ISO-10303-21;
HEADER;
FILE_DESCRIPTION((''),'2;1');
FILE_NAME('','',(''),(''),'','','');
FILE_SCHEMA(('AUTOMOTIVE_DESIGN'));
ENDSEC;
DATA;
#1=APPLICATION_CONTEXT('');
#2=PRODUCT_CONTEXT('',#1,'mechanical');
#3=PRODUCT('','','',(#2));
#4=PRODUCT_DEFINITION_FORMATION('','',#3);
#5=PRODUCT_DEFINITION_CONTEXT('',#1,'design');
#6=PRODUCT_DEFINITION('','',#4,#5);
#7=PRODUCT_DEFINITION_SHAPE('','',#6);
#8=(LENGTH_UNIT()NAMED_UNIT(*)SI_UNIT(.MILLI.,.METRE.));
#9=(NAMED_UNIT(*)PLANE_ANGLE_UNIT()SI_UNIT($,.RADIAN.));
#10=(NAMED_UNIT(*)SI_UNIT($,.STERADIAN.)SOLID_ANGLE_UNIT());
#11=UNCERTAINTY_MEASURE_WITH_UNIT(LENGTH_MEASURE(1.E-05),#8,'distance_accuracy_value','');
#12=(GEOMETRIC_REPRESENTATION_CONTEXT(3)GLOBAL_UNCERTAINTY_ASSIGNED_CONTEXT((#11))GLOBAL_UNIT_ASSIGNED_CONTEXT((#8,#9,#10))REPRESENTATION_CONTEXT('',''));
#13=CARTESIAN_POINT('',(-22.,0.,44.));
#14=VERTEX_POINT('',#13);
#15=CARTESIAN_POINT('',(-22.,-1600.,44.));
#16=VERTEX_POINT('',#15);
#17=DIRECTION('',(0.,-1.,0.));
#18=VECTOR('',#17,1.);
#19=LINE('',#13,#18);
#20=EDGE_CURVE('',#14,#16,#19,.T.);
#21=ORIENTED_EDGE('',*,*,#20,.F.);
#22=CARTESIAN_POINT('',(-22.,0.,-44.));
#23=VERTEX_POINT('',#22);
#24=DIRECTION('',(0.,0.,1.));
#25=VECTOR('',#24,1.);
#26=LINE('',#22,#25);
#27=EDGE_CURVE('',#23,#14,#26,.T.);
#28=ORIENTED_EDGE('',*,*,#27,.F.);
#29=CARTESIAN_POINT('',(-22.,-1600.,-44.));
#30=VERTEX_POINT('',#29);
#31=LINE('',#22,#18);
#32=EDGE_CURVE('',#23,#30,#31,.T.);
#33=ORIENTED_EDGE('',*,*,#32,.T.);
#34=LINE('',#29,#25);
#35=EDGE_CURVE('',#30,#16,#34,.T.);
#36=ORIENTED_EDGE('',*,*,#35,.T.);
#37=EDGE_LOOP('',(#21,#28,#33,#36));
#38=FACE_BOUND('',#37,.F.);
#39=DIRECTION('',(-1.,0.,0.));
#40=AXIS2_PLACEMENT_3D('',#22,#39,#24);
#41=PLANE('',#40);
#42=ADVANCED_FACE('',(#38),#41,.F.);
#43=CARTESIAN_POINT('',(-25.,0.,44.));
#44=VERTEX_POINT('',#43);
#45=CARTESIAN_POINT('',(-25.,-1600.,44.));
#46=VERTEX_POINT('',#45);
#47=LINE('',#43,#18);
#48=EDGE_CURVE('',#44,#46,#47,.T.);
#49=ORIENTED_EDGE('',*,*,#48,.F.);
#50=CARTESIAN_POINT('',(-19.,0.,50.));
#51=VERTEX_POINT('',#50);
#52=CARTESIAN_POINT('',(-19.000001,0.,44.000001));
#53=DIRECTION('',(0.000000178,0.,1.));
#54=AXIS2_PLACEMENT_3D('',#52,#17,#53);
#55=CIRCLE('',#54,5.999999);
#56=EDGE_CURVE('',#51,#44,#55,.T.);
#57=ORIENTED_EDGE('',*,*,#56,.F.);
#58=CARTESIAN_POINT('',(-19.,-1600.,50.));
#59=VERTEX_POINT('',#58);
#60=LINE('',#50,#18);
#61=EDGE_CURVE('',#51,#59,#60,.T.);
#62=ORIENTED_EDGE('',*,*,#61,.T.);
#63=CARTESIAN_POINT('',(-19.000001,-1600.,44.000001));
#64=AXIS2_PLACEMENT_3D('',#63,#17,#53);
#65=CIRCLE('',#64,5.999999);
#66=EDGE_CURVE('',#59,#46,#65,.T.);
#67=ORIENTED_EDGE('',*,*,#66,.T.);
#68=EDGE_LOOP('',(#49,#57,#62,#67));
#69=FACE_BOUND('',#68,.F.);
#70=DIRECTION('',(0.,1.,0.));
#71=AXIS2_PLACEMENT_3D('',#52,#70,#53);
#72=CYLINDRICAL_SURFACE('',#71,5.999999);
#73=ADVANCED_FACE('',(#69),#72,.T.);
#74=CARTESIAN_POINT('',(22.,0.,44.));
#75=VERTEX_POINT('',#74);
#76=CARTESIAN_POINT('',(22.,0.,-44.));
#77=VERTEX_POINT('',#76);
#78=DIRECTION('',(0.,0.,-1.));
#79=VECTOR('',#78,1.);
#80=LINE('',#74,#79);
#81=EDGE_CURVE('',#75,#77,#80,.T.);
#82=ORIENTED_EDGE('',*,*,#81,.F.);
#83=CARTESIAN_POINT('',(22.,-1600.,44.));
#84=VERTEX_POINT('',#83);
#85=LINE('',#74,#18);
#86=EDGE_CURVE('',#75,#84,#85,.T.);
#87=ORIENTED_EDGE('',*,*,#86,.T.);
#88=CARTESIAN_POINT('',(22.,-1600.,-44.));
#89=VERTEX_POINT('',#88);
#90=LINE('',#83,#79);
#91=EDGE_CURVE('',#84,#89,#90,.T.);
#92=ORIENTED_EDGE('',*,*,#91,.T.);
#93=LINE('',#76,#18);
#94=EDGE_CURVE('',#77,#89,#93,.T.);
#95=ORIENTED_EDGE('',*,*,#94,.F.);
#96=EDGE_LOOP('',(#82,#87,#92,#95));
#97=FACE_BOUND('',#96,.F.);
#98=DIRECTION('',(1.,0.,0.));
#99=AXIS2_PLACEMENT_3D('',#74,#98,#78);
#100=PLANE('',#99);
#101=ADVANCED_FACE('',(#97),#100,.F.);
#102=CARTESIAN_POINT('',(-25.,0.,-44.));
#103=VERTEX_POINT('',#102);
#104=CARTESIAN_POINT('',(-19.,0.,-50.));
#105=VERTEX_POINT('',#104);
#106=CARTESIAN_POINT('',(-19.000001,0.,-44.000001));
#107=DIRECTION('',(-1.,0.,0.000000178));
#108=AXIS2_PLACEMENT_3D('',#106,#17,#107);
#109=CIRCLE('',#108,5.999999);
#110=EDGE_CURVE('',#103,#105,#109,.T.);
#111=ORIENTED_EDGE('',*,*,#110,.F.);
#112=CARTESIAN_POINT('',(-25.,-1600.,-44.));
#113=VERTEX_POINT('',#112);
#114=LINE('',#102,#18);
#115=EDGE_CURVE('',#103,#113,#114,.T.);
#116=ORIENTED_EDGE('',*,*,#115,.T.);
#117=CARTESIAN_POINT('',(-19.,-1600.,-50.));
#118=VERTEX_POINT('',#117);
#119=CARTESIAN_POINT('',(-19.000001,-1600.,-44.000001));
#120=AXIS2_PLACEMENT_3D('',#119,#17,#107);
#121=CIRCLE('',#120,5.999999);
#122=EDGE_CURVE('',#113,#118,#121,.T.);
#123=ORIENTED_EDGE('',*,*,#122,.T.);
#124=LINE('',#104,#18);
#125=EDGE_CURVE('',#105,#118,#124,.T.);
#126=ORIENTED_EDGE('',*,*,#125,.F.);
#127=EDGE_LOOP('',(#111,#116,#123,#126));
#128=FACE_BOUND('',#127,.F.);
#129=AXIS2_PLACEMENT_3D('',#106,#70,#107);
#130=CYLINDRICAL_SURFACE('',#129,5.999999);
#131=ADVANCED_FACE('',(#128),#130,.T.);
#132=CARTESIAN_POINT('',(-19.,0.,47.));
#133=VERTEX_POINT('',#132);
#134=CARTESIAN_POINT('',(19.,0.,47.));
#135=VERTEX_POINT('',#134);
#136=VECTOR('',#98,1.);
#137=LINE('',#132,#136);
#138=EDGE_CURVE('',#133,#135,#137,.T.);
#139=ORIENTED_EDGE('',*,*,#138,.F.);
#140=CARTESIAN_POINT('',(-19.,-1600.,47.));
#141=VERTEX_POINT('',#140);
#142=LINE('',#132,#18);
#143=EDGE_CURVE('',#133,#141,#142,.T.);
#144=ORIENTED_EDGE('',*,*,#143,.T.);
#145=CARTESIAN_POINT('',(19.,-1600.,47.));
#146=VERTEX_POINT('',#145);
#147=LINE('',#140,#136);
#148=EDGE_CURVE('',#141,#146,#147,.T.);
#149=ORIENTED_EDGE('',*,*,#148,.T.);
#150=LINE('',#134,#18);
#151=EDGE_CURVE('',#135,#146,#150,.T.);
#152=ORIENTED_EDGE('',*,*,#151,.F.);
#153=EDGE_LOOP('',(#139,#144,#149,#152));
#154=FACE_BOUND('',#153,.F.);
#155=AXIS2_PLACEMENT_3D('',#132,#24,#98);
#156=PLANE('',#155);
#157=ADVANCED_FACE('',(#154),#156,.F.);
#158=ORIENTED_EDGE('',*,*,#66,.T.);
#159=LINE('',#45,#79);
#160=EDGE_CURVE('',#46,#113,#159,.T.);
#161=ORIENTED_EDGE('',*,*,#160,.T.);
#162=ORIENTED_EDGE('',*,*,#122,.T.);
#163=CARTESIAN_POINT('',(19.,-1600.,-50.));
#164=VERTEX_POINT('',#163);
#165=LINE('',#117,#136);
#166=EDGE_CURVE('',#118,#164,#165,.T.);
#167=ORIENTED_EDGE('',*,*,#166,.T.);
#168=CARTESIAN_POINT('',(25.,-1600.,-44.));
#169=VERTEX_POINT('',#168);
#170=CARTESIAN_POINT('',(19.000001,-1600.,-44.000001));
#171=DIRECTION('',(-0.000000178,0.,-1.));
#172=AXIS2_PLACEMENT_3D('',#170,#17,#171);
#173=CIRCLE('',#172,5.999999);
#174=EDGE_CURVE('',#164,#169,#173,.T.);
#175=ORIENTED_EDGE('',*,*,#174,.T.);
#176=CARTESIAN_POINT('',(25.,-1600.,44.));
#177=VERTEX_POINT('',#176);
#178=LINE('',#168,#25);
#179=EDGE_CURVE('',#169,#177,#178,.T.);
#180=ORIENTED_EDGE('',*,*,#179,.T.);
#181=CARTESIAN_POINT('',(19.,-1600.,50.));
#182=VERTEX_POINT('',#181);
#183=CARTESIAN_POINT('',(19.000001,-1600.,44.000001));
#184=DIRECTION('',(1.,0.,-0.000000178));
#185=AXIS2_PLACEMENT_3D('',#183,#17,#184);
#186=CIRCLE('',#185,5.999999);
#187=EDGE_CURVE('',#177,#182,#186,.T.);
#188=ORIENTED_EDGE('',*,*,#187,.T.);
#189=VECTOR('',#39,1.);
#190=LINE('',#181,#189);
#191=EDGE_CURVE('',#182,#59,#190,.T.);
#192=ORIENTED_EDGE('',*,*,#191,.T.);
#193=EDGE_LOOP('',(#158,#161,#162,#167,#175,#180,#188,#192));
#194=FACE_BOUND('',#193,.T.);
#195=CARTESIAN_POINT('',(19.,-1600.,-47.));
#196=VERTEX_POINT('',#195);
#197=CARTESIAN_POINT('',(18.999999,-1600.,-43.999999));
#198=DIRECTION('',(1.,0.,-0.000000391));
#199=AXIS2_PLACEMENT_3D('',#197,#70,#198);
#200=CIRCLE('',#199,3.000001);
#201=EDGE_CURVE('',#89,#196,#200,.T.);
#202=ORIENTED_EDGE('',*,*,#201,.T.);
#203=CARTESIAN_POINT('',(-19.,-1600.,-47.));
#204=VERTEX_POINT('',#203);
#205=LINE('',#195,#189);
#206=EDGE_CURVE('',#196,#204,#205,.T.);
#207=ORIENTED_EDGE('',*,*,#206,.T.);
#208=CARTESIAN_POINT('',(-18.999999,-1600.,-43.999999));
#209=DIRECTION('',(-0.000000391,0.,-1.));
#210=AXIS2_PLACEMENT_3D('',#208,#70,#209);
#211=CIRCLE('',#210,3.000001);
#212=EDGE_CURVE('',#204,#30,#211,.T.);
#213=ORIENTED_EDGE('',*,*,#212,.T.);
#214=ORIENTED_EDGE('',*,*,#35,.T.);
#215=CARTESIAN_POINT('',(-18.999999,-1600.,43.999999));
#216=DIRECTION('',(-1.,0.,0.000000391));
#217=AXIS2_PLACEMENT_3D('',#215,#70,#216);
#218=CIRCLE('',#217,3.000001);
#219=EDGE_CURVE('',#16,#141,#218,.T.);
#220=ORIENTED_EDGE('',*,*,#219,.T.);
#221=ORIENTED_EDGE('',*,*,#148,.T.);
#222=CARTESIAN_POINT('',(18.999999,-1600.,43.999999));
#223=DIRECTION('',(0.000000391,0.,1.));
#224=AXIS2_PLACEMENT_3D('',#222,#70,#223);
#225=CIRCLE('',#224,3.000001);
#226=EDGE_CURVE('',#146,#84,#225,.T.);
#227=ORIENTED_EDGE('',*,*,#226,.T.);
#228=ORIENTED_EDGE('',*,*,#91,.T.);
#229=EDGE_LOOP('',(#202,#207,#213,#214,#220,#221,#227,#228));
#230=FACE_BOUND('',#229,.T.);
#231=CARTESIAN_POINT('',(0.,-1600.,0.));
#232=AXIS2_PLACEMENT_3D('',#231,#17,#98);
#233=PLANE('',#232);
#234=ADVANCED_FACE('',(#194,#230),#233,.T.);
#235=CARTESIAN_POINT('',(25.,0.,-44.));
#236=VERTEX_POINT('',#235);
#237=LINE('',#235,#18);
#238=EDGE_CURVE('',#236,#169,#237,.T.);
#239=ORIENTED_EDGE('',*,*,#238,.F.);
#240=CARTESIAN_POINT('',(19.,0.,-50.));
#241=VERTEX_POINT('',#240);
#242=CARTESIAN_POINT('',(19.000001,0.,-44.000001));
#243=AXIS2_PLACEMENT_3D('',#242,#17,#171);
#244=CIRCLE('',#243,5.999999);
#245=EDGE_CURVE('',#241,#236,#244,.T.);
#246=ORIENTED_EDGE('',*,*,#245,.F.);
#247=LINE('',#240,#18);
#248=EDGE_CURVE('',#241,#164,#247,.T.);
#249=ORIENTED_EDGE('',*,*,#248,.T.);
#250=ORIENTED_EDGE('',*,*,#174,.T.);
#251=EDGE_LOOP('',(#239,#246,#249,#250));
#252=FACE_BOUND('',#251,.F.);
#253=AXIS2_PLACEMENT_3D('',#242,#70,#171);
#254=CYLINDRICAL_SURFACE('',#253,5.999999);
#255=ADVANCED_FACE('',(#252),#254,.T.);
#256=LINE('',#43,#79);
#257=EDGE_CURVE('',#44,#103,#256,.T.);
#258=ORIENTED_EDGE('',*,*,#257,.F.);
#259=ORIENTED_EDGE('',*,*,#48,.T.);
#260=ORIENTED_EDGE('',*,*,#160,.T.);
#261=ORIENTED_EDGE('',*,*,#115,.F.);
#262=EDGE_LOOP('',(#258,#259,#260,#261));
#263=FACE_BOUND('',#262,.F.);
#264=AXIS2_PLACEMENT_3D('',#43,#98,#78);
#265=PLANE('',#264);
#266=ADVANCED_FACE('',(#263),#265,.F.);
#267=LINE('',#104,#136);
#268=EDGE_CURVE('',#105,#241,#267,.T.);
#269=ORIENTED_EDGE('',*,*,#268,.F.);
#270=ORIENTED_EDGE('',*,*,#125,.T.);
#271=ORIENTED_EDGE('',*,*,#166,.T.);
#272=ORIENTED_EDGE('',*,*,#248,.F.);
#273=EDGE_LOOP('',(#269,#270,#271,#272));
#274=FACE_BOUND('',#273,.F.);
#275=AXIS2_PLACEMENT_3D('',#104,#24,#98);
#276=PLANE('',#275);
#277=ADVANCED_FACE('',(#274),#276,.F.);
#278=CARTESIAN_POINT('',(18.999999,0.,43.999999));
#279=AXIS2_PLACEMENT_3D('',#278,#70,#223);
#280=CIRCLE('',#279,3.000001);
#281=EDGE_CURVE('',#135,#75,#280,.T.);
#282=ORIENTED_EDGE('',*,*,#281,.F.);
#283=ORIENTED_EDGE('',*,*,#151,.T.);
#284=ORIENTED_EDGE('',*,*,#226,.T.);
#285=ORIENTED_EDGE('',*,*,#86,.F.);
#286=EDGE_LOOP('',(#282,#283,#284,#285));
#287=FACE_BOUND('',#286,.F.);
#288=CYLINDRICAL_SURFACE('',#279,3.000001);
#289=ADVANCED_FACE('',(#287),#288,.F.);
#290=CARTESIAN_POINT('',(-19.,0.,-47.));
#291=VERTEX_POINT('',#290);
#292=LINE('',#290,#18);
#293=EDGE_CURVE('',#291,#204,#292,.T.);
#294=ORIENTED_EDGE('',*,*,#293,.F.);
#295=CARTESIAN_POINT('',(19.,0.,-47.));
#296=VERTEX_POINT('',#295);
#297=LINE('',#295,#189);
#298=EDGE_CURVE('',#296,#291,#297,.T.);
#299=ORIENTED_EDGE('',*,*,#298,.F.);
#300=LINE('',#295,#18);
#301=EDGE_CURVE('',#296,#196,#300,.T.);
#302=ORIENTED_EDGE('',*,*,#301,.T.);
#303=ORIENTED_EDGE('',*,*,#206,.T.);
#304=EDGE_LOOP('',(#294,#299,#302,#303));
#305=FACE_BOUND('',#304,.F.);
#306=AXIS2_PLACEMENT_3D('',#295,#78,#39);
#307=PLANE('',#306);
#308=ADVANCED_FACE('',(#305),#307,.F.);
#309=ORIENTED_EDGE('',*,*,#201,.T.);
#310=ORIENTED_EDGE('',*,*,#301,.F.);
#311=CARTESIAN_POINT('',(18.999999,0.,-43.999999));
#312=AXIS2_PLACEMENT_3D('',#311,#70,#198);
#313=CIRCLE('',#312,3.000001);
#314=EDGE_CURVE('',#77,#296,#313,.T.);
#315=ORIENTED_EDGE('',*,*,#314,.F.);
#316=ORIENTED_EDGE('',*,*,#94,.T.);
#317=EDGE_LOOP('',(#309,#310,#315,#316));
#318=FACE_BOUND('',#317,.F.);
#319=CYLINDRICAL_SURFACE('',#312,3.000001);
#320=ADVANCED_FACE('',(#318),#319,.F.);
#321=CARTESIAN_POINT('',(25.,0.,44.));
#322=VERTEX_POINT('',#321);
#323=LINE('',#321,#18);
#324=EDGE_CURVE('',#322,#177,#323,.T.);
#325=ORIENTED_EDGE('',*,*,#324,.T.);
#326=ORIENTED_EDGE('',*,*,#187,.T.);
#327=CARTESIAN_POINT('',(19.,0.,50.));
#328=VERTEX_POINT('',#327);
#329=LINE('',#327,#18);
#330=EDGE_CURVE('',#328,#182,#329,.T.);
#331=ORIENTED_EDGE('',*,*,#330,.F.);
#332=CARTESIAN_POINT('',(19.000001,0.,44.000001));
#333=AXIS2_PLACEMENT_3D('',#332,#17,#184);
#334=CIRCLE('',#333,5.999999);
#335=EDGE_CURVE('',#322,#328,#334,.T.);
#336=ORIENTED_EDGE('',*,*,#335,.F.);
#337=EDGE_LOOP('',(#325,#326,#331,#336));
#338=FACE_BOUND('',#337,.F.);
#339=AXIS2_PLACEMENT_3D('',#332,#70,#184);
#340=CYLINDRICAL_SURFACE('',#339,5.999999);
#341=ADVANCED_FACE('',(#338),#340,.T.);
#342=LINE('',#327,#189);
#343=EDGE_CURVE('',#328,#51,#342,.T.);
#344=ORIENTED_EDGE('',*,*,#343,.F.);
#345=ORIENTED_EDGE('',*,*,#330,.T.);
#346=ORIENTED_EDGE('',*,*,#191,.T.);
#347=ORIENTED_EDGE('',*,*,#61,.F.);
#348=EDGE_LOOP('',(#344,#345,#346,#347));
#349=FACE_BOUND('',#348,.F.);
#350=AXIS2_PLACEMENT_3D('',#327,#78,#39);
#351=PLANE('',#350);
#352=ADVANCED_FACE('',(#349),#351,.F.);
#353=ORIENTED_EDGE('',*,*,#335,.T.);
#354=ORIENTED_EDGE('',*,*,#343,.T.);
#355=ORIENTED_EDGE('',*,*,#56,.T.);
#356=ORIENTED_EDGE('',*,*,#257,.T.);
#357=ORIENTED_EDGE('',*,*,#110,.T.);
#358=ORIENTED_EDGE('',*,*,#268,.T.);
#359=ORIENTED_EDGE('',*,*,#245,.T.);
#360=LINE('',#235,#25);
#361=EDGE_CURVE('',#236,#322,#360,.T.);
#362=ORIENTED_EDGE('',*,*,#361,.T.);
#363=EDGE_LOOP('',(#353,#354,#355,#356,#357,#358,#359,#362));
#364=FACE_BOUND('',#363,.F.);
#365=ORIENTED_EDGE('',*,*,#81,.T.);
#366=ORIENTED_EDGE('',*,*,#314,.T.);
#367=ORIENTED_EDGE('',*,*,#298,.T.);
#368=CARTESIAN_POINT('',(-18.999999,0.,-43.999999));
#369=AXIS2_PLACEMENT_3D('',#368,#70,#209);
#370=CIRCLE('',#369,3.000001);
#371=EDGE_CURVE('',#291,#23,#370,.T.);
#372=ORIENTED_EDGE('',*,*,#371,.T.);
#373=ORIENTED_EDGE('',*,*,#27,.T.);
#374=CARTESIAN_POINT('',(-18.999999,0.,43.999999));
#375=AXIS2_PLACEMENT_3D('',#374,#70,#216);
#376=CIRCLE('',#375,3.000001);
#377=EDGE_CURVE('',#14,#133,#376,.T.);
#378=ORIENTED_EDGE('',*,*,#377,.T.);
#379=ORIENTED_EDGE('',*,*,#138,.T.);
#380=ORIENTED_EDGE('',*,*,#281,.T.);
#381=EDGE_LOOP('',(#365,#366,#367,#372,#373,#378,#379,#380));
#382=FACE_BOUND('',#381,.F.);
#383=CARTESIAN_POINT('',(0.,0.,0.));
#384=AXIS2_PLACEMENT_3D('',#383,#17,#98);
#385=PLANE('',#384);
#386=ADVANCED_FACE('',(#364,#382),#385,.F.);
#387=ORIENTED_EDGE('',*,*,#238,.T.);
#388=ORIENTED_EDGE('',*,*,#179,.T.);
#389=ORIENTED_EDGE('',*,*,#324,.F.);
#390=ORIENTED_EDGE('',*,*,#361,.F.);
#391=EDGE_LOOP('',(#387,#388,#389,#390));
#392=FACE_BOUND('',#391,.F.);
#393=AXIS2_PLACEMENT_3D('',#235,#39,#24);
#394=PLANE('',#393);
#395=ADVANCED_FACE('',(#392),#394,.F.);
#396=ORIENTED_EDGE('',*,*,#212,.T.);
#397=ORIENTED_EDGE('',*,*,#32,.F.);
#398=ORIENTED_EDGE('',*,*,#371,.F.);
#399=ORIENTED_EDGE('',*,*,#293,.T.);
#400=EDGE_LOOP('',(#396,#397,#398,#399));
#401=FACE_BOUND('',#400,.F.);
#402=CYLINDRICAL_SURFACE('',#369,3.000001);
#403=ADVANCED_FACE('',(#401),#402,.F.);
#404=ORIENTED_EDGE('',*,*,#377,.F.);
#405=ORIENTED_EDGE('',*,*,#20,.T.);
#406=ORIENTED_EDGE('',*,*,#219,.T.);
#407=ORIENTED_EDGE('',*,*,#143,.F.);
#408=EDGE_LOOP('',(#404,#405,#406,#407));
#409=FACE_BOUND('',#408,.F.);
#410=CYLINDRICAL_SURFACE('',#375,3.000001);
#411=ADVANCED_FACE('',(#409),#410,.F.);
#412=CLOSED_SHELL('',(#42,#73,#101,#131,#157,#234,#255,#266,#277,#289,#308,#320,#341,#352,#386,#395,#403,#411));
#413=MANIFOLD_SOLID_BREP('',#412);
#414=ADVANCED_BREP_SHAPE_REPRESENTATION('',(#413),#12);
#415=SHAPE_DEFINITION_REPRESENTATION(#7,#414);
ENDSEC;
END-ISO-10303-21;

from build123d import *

# Parameters (mm, degrees)
F1_DEPTH = 1600


with BuildPart() as f1:
    # F0 (on Front) → F1 (new body)
    with BuildSketch(Plane.XZ):
        with BuildLine():
            Line((19, 50), (0, 50))
            Line((0, 50), (-19, 50))
            ThreePointArc((-19, 50), (-23.242641, 48.242641), (-25, 44))
            Line((-25, 44), (-25, -44))
            ThreePointArc((-25, -44), (-23.242641, -48.242641), (-19, -50))
            Line((-19, -50), (0, -50))
            Line((0, -50), (19, -50))
            ThreePointArc((19, -50), (23.242641, -48.242641), (25, -44))
            Line((25, -44), (25, 44))
            ThreePointArc((25, 44), (23.242641, 48.242641), (19, 50))
        make_face()
        with BuildLine():
            Line((-19, 47), (0, 47))
            Line((0, 47), (19, 47))
            ThreePointArc((19, 47), (21.12132, 46.12132), (22, 44))
            Line((22, 44), (22, -44))
            ThreePointArc((22, -44), (21.12132, -46.12132), (19, -47))
            Line((19, -47), (0, -47))
            Line((0, -47), (-19, -47))
            ThreePointArc((-19, -47), (-21.12132, -46.12132), (-22, -44))
            Line((-22, -44), (-22, 44))
            ThreePointArc((-22, 44), (-21.12132, 46.12132), (-19, 47))
        make_face(mode=Mode.SUBTRACT)
    extrude(amount=F1_DEPTH)


solid = f1.part
